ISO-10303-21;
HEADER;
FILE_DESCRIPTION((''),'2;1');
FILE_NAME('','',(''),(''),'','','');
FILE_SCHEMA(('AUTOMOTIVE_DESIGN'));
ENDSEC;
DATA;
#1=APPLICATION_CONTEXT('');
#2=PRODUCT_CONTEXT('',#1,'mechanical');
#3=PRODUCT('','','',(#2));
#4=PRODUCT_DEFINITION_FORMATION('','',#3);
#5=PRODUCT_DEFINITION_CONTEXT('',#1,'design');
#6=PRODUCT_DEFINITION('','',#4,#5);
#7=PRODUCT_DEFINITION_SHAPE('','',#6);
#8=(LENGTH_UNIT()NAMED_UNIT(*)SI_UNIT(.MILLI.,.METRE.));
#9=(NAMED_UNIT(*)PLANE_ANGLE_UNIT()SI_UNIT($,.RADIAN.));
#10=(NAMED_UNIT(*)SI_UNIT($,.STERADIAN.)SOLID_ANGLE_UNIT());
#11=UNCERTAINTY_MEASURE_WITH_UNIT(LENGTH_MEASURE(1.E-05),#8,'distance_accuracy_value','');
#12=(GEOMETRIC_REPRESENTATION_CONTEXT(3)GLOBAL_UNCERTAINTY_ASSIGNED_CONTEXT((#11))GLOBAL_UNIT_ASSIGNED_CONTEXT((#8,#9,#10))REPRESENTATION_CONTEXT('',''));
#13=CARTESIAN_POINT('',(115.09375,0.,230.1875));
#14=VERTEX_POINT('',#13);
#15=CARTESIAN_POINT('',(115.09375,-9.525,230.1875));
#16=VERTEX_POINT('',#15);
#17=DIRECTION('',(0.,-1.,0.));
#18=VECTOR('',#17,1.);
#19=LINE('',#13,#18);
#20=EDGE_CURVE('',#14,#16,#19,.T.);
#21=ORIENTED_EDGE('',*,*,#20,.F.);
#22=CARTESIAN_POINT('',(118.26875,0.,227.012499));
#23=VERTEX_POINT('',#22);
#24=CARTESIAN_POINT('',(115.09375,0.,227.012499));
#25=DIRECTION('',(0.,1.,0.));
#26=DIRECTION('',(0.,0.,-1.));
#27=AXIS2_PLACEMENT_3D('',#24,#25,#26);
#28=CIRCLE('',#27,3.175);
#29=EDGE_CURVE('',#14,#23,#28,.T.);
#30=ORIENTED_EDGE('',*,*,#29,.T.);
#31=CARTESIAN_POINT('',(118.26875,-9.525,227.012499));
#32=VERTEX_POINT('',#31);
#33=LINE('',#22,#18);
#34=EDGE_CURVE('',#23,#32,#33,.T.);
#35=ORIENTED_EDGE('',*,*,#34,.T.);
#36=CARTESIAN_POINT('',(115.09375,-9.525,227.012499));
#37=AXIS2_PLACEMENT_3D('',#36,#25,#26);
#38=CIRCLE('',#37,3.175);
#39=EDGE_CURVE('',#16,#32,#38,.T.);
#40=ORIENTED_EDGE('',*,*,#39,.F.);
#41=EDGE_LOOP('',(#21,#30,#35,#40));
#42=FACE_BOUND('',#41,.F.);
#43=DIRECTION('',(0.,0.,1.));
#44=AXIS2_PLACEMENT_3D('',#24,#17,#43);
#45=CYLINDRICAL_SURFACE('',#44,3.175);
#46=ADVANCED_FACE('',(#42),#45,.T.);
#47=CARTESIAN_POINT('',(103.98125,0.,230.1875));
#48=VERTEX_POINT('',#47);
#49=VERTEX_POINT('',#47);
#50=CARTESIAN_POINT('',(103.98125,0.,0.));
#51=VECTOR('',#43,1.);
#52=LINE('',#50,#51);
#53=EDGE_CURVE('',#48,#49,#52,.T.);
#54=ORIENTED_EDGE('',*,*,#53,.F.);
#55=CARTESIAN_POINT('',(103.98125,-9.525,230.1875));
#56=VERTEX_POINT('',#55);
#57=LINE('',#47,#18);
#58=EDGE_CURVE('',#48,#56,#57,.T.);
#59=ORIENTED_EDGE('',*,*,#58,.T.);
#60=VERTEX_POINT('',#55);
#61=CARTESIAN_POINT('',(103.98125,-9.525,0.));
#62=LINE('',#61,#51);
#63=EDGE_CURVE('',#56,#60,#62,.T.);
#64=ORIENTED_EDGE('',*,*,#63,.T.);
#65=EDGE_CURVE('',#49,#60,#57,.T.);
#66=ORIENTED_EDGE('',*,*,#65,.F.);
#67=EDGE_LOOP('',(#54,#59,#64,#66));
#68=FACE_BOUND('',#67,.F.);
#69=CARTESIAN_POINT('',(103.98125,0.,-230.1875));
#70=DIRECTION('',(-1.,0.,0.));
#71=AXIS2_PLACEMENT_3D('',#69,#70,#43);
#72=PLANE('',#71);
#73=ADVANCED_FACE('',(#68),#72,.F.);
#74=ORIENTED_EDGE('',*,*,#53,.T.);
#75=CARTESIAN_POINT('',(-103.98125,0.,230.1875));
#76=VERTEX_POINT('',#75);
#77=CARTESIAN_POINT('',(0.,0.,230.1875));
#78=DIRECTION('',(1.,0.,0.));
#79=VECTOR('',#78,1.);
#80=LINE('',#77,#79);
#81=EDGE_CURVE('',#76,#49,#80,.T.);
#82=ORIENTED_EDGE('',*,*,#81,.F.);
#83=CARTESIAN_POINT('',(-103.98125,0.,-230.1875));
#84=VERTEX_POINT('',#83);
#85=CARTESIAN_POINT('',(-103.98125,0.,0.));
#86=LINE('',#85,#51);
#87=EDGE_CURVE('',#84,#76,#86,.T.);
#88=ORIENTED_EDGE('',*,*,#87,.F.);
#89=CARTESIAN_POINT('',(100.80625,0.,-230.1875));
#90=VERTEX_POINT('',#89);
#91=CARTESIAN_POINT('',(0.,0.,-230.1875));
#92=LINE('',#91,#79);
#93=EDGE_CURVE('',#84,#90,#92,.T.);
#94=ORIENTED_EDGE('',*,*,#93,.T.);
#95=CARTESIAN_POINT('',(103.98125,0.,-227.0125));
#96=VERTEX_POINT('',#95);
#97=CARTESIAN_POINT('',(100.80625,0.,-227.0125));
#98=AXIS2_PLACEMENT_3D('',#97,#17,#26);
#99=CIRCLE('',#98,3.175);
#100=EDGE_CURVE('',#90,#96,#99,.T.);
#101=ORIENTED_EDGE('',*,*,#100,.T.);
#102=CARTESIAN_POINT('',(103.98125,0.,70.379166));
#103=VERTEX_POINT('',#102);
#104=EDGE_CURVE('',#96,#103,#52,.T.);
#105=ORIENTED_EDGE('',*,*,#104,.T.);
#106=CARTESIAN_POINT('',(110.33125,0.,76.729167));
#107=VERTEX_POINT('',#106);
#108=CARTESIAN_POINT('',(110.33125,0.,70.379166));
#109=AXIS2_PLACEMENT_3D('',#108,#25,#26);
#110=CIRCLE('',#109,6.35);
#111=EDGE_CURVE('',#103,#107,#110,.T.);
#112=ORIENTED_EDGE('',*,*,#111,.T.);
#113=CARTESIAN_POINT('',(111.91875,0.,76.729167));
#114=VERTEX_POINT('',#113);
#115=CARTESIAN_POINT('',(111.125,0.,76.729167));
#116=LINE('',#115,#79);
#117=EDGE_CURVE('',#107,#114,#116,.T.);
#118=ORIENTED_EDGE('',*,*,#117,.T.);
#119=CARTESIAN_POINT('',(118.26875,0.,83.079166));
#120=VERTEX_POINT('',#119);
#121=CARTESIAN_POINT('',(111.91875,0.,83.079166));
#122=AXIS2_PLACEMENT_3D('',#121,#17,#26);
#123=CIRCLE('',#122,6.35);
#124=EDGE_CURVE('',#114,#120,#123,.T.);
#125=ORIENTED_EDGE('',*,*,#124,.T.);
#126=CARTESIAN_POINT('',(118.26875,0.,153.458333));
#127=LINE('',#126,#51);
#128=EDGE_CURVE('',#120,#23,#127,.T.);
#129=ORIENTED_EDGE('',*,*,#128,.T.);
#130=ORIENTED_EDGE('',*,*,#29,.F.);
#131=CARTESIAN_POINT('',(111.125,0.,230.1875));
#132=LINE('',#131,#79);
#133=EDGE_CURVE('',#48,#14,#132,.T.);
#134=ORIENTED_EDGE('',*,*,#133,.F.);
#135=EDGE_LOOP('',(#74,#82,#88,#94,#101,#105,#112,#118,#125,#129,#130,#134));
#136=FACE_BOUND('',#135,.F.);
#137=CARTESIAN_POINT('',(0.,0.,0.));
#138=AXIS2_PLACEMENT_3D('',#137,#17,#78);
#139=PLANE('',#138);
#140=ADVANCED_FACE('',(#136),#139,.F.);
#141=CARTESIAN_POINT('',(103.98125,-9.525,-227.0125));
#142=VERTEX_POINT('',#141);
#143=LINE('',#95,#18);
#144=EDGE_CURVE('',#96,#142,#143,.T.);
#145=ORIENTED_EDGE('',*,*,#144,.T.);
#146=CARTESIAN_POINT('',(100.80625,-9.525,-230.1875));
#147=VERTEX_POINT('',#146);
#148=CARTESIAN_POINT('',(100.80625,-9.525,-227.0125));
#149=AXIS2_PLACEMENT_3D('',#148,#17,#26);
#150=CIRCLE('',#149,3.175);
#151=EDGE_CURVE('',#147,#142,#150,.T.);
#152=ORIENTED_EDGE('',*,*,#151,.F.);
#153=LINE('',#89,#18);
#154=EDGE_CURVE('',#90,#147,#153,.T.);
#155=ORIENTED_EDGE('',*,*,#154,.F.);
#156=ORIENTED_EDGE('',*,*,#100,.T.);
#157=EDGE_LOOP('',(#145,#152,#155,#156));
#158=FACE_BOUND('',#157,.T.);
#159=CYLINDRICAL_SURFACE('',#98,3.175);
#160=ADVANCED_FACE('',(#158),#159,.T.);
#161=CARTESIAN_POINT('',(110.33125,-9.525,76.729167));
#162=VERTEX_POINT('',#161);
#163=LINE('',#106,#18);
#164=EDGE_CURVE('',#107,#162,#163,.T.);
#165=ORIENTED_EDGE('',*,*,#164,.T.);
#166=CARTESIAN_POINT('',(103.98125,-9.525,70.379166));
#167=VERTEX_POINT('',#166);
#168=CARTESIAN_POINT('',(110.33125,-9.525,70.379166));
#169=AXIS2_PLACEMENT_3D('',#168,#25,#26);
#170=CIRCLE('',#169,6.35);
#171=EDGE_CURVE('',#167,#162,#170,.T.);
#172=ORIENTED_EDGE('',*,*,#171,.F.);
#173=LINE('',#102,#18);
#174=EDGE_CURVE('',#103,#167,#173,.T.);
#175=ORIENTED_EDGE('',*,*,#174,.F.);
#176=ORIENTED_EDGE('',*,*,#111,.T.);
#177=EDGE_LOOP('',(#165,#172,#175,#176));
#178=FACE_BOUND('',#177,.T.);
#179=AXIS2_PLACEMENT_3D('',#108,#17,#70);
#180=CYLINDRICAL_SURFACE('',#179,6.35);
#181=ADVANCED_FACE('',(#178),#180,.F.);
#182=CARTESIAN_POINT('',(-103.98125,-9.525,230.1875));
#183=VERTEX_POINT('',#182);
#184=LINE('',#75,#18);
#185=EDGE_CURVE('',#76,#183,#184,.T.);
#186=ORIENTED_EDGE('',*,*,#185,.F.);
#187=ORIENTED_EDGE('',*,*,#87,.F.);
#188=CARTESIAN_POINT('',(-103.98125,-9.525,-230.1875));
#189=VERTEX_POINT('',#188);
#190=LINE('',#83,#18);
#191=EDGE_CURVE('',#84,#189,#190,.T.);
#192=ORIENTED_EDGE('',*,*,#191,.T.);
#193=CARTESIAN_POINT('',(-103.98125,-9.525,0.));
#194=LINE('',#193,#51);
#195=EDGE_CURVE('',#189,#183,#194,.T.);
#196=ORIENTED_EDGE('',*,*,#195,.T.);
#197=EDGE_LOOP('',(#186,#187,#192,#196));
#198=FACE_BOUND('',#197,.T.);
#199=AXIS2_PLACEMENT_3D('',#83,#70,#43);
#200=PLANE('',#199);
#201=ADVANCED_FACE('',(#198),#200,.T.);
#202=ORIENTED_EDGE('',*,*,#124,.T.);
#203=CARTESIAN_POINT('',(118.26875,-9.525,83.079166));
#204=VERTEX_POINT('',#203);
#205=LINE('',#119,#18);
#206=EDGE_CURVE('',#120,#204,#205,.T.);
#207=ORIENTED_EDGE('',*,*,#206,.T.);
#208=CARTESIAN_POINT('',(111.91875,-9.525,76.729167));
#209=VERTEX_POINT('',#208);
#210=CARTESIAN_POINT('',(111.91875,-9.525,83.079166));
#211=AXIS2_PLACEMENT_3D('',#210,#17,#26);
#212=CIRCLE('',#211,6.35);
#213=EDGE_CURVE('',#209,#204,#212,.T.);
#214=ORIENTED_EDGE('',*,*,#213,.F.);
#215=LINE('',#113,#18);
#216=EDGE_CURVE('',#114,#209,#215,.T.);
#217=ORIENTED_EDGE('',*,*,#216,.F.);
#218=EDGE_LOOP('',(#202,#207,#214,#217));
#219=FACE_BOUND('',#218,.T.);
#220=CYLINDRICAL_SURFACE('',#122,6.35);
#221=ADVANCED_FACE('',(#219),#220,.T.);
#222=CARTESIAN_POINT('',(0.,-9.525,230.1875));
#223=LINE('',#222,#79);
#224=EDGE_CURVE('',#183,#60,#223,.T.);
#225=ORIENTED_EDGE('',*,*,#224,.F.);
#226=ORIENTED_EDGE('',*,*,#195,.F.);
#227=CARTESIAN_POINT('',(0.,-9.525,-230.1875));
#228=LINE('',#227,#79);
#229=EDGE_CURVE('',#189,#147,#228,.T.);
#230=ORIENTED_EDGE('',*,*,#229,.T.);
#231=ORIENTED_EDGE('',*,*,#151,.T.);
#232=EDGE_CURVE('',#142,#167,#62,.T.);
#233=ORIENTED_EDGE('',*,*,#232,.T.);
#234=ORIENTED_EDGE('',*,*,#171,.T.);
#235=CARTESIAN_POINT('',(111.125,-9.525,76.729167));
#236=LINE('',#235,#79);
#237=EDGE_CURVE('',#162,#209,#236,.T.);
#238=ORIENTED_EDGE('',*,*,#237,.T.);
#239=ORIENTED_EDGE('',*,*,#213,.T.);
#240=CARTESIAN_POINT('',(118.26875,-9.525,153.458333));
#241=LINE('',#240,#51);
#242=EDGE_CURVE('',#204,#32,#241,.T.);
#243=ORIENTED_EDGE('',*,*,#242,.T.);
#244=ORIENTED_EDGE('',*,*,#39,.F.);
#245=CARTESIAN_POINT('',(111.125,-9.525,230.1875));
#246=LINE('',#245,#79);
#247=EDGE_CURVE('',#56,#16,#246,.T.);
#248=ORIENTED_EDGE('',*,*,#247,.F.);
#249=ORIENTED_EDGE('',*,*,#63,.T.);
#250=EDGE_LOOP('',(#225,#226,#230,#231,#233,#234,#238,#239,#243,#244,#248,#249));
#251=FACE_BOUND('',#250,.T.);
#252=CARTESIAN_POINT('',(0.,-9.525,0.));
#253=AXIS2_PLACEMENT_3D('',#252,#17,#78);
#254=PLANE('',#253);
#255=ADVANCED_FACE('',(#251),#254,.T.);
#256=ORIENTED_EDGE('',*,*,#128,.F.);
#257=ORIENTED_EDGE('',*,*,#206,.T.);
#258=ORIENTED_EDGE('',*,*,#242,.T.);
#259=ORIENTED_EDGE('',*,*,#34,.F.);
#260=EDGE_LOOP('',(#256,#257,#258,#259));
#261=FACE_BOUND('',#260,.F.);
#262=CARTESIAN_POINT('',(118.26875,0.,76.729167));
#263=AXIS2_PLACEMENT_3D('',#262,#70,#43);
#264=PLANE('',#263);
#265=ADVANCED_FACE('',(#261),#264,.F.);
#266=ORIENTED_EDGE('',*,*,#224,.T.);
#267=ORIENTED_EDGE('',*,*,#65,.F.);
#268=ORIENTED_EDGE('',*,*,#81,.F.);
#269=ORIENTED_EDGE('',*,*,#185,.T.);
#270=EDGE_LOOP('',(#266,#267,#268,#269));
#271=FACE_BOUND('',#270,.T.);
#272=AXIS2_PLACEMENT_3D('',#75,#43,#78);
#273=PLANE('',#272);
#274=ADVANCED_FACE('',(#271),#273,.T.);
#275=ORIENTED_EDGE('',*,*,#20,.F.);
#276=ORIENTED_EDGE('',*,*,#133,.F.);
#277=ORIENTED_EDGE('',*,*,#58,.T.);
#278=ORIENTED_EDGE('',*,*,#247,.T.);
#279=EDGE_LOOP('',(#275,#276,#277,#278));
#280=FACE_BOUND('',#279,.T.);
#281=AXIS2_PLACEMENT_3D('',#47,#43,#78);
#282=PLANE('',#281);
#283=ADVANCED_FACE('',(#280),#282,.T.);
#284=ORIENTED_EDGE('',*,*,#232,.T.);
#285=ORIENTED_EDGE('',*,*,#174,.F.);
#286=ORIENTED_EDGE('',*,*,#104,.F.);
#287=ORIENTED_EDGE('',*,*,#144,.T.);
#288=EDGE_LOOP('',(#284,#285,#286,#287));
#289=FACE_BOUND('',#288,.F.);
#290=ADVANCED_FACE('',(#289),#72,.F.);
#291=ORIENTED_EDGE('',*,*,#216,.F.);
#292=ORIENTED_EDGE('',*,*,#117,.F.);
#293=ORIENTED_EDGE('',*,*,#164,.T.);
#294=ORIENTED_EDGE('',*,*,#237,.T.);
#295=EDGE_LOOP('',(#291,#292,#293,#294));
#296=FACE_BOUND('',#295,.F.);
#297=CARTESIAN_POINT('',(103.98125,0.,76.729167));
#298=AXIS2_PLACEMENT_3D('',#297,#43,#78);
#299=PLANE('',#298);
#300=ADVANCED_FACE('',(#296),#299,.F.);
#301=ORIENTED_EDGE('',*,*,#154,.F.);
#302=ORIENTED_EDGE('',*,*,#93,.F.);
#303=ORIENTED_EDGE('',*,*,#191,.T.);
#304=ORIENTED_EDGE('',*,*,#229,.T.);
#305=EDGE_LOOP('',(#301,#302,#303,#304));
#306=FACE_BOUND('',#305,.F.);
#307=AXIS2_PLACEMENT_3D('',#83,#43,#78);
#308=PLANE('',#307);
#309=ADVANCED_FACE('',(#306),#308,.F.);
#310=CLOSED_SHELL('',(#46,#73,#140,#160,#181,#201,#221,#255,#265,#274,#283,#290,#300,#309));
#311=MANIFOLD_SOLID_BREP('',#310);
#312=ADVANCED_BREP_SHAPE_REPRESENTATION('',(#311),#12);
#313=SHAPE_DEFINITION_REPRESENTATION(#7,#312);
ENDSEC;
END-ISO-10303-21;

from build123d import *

# Parameters (mm, degrees)
F0_W     = 207.9625
F0_H     = 460.375
F1_DEPTH = 9.525
F2_W     = 14.2875
F2_H     = 153.458333
F3_DEPTH = 9.525
F4_R     = 3.175
F5_R     = 6.35


with BuildPart() as f1:
    # F0 (on Front) → F1 (new body)
    with BuildSketch(Plane.XZ):
        Rectangle(F0_W, F0_H)
    extrude(amount=F1_DEPTH)

    # F2 (on Front) → F3 (join, through all)
    with BuildSketch(Plane.XZ):
        with Locations((111.125, 153.458333)):
            Rectangle(F2_W, F2_H)
    extrude(amount=F3_DEPTH)

    # F4
    f4_edges = [f1.edges().sort_by_distance(p)[0] for p in [
        (103.98125, -4.7625, -230.1875),
        (118.26875, -4.7625, 230.1875),
    ]]
    fillet(f4_edges, radius=F4_R)

    # F5
    f5_edges = [f1.edges().sort_by_distance(p)[0] for p in [
        (103.98125, -4.7625, 76.729167),
        (118.26875, -4.7625, 76.729167),
    ]]
    fillet(f5_edges, radius=F5_R)


solid = f1.part
